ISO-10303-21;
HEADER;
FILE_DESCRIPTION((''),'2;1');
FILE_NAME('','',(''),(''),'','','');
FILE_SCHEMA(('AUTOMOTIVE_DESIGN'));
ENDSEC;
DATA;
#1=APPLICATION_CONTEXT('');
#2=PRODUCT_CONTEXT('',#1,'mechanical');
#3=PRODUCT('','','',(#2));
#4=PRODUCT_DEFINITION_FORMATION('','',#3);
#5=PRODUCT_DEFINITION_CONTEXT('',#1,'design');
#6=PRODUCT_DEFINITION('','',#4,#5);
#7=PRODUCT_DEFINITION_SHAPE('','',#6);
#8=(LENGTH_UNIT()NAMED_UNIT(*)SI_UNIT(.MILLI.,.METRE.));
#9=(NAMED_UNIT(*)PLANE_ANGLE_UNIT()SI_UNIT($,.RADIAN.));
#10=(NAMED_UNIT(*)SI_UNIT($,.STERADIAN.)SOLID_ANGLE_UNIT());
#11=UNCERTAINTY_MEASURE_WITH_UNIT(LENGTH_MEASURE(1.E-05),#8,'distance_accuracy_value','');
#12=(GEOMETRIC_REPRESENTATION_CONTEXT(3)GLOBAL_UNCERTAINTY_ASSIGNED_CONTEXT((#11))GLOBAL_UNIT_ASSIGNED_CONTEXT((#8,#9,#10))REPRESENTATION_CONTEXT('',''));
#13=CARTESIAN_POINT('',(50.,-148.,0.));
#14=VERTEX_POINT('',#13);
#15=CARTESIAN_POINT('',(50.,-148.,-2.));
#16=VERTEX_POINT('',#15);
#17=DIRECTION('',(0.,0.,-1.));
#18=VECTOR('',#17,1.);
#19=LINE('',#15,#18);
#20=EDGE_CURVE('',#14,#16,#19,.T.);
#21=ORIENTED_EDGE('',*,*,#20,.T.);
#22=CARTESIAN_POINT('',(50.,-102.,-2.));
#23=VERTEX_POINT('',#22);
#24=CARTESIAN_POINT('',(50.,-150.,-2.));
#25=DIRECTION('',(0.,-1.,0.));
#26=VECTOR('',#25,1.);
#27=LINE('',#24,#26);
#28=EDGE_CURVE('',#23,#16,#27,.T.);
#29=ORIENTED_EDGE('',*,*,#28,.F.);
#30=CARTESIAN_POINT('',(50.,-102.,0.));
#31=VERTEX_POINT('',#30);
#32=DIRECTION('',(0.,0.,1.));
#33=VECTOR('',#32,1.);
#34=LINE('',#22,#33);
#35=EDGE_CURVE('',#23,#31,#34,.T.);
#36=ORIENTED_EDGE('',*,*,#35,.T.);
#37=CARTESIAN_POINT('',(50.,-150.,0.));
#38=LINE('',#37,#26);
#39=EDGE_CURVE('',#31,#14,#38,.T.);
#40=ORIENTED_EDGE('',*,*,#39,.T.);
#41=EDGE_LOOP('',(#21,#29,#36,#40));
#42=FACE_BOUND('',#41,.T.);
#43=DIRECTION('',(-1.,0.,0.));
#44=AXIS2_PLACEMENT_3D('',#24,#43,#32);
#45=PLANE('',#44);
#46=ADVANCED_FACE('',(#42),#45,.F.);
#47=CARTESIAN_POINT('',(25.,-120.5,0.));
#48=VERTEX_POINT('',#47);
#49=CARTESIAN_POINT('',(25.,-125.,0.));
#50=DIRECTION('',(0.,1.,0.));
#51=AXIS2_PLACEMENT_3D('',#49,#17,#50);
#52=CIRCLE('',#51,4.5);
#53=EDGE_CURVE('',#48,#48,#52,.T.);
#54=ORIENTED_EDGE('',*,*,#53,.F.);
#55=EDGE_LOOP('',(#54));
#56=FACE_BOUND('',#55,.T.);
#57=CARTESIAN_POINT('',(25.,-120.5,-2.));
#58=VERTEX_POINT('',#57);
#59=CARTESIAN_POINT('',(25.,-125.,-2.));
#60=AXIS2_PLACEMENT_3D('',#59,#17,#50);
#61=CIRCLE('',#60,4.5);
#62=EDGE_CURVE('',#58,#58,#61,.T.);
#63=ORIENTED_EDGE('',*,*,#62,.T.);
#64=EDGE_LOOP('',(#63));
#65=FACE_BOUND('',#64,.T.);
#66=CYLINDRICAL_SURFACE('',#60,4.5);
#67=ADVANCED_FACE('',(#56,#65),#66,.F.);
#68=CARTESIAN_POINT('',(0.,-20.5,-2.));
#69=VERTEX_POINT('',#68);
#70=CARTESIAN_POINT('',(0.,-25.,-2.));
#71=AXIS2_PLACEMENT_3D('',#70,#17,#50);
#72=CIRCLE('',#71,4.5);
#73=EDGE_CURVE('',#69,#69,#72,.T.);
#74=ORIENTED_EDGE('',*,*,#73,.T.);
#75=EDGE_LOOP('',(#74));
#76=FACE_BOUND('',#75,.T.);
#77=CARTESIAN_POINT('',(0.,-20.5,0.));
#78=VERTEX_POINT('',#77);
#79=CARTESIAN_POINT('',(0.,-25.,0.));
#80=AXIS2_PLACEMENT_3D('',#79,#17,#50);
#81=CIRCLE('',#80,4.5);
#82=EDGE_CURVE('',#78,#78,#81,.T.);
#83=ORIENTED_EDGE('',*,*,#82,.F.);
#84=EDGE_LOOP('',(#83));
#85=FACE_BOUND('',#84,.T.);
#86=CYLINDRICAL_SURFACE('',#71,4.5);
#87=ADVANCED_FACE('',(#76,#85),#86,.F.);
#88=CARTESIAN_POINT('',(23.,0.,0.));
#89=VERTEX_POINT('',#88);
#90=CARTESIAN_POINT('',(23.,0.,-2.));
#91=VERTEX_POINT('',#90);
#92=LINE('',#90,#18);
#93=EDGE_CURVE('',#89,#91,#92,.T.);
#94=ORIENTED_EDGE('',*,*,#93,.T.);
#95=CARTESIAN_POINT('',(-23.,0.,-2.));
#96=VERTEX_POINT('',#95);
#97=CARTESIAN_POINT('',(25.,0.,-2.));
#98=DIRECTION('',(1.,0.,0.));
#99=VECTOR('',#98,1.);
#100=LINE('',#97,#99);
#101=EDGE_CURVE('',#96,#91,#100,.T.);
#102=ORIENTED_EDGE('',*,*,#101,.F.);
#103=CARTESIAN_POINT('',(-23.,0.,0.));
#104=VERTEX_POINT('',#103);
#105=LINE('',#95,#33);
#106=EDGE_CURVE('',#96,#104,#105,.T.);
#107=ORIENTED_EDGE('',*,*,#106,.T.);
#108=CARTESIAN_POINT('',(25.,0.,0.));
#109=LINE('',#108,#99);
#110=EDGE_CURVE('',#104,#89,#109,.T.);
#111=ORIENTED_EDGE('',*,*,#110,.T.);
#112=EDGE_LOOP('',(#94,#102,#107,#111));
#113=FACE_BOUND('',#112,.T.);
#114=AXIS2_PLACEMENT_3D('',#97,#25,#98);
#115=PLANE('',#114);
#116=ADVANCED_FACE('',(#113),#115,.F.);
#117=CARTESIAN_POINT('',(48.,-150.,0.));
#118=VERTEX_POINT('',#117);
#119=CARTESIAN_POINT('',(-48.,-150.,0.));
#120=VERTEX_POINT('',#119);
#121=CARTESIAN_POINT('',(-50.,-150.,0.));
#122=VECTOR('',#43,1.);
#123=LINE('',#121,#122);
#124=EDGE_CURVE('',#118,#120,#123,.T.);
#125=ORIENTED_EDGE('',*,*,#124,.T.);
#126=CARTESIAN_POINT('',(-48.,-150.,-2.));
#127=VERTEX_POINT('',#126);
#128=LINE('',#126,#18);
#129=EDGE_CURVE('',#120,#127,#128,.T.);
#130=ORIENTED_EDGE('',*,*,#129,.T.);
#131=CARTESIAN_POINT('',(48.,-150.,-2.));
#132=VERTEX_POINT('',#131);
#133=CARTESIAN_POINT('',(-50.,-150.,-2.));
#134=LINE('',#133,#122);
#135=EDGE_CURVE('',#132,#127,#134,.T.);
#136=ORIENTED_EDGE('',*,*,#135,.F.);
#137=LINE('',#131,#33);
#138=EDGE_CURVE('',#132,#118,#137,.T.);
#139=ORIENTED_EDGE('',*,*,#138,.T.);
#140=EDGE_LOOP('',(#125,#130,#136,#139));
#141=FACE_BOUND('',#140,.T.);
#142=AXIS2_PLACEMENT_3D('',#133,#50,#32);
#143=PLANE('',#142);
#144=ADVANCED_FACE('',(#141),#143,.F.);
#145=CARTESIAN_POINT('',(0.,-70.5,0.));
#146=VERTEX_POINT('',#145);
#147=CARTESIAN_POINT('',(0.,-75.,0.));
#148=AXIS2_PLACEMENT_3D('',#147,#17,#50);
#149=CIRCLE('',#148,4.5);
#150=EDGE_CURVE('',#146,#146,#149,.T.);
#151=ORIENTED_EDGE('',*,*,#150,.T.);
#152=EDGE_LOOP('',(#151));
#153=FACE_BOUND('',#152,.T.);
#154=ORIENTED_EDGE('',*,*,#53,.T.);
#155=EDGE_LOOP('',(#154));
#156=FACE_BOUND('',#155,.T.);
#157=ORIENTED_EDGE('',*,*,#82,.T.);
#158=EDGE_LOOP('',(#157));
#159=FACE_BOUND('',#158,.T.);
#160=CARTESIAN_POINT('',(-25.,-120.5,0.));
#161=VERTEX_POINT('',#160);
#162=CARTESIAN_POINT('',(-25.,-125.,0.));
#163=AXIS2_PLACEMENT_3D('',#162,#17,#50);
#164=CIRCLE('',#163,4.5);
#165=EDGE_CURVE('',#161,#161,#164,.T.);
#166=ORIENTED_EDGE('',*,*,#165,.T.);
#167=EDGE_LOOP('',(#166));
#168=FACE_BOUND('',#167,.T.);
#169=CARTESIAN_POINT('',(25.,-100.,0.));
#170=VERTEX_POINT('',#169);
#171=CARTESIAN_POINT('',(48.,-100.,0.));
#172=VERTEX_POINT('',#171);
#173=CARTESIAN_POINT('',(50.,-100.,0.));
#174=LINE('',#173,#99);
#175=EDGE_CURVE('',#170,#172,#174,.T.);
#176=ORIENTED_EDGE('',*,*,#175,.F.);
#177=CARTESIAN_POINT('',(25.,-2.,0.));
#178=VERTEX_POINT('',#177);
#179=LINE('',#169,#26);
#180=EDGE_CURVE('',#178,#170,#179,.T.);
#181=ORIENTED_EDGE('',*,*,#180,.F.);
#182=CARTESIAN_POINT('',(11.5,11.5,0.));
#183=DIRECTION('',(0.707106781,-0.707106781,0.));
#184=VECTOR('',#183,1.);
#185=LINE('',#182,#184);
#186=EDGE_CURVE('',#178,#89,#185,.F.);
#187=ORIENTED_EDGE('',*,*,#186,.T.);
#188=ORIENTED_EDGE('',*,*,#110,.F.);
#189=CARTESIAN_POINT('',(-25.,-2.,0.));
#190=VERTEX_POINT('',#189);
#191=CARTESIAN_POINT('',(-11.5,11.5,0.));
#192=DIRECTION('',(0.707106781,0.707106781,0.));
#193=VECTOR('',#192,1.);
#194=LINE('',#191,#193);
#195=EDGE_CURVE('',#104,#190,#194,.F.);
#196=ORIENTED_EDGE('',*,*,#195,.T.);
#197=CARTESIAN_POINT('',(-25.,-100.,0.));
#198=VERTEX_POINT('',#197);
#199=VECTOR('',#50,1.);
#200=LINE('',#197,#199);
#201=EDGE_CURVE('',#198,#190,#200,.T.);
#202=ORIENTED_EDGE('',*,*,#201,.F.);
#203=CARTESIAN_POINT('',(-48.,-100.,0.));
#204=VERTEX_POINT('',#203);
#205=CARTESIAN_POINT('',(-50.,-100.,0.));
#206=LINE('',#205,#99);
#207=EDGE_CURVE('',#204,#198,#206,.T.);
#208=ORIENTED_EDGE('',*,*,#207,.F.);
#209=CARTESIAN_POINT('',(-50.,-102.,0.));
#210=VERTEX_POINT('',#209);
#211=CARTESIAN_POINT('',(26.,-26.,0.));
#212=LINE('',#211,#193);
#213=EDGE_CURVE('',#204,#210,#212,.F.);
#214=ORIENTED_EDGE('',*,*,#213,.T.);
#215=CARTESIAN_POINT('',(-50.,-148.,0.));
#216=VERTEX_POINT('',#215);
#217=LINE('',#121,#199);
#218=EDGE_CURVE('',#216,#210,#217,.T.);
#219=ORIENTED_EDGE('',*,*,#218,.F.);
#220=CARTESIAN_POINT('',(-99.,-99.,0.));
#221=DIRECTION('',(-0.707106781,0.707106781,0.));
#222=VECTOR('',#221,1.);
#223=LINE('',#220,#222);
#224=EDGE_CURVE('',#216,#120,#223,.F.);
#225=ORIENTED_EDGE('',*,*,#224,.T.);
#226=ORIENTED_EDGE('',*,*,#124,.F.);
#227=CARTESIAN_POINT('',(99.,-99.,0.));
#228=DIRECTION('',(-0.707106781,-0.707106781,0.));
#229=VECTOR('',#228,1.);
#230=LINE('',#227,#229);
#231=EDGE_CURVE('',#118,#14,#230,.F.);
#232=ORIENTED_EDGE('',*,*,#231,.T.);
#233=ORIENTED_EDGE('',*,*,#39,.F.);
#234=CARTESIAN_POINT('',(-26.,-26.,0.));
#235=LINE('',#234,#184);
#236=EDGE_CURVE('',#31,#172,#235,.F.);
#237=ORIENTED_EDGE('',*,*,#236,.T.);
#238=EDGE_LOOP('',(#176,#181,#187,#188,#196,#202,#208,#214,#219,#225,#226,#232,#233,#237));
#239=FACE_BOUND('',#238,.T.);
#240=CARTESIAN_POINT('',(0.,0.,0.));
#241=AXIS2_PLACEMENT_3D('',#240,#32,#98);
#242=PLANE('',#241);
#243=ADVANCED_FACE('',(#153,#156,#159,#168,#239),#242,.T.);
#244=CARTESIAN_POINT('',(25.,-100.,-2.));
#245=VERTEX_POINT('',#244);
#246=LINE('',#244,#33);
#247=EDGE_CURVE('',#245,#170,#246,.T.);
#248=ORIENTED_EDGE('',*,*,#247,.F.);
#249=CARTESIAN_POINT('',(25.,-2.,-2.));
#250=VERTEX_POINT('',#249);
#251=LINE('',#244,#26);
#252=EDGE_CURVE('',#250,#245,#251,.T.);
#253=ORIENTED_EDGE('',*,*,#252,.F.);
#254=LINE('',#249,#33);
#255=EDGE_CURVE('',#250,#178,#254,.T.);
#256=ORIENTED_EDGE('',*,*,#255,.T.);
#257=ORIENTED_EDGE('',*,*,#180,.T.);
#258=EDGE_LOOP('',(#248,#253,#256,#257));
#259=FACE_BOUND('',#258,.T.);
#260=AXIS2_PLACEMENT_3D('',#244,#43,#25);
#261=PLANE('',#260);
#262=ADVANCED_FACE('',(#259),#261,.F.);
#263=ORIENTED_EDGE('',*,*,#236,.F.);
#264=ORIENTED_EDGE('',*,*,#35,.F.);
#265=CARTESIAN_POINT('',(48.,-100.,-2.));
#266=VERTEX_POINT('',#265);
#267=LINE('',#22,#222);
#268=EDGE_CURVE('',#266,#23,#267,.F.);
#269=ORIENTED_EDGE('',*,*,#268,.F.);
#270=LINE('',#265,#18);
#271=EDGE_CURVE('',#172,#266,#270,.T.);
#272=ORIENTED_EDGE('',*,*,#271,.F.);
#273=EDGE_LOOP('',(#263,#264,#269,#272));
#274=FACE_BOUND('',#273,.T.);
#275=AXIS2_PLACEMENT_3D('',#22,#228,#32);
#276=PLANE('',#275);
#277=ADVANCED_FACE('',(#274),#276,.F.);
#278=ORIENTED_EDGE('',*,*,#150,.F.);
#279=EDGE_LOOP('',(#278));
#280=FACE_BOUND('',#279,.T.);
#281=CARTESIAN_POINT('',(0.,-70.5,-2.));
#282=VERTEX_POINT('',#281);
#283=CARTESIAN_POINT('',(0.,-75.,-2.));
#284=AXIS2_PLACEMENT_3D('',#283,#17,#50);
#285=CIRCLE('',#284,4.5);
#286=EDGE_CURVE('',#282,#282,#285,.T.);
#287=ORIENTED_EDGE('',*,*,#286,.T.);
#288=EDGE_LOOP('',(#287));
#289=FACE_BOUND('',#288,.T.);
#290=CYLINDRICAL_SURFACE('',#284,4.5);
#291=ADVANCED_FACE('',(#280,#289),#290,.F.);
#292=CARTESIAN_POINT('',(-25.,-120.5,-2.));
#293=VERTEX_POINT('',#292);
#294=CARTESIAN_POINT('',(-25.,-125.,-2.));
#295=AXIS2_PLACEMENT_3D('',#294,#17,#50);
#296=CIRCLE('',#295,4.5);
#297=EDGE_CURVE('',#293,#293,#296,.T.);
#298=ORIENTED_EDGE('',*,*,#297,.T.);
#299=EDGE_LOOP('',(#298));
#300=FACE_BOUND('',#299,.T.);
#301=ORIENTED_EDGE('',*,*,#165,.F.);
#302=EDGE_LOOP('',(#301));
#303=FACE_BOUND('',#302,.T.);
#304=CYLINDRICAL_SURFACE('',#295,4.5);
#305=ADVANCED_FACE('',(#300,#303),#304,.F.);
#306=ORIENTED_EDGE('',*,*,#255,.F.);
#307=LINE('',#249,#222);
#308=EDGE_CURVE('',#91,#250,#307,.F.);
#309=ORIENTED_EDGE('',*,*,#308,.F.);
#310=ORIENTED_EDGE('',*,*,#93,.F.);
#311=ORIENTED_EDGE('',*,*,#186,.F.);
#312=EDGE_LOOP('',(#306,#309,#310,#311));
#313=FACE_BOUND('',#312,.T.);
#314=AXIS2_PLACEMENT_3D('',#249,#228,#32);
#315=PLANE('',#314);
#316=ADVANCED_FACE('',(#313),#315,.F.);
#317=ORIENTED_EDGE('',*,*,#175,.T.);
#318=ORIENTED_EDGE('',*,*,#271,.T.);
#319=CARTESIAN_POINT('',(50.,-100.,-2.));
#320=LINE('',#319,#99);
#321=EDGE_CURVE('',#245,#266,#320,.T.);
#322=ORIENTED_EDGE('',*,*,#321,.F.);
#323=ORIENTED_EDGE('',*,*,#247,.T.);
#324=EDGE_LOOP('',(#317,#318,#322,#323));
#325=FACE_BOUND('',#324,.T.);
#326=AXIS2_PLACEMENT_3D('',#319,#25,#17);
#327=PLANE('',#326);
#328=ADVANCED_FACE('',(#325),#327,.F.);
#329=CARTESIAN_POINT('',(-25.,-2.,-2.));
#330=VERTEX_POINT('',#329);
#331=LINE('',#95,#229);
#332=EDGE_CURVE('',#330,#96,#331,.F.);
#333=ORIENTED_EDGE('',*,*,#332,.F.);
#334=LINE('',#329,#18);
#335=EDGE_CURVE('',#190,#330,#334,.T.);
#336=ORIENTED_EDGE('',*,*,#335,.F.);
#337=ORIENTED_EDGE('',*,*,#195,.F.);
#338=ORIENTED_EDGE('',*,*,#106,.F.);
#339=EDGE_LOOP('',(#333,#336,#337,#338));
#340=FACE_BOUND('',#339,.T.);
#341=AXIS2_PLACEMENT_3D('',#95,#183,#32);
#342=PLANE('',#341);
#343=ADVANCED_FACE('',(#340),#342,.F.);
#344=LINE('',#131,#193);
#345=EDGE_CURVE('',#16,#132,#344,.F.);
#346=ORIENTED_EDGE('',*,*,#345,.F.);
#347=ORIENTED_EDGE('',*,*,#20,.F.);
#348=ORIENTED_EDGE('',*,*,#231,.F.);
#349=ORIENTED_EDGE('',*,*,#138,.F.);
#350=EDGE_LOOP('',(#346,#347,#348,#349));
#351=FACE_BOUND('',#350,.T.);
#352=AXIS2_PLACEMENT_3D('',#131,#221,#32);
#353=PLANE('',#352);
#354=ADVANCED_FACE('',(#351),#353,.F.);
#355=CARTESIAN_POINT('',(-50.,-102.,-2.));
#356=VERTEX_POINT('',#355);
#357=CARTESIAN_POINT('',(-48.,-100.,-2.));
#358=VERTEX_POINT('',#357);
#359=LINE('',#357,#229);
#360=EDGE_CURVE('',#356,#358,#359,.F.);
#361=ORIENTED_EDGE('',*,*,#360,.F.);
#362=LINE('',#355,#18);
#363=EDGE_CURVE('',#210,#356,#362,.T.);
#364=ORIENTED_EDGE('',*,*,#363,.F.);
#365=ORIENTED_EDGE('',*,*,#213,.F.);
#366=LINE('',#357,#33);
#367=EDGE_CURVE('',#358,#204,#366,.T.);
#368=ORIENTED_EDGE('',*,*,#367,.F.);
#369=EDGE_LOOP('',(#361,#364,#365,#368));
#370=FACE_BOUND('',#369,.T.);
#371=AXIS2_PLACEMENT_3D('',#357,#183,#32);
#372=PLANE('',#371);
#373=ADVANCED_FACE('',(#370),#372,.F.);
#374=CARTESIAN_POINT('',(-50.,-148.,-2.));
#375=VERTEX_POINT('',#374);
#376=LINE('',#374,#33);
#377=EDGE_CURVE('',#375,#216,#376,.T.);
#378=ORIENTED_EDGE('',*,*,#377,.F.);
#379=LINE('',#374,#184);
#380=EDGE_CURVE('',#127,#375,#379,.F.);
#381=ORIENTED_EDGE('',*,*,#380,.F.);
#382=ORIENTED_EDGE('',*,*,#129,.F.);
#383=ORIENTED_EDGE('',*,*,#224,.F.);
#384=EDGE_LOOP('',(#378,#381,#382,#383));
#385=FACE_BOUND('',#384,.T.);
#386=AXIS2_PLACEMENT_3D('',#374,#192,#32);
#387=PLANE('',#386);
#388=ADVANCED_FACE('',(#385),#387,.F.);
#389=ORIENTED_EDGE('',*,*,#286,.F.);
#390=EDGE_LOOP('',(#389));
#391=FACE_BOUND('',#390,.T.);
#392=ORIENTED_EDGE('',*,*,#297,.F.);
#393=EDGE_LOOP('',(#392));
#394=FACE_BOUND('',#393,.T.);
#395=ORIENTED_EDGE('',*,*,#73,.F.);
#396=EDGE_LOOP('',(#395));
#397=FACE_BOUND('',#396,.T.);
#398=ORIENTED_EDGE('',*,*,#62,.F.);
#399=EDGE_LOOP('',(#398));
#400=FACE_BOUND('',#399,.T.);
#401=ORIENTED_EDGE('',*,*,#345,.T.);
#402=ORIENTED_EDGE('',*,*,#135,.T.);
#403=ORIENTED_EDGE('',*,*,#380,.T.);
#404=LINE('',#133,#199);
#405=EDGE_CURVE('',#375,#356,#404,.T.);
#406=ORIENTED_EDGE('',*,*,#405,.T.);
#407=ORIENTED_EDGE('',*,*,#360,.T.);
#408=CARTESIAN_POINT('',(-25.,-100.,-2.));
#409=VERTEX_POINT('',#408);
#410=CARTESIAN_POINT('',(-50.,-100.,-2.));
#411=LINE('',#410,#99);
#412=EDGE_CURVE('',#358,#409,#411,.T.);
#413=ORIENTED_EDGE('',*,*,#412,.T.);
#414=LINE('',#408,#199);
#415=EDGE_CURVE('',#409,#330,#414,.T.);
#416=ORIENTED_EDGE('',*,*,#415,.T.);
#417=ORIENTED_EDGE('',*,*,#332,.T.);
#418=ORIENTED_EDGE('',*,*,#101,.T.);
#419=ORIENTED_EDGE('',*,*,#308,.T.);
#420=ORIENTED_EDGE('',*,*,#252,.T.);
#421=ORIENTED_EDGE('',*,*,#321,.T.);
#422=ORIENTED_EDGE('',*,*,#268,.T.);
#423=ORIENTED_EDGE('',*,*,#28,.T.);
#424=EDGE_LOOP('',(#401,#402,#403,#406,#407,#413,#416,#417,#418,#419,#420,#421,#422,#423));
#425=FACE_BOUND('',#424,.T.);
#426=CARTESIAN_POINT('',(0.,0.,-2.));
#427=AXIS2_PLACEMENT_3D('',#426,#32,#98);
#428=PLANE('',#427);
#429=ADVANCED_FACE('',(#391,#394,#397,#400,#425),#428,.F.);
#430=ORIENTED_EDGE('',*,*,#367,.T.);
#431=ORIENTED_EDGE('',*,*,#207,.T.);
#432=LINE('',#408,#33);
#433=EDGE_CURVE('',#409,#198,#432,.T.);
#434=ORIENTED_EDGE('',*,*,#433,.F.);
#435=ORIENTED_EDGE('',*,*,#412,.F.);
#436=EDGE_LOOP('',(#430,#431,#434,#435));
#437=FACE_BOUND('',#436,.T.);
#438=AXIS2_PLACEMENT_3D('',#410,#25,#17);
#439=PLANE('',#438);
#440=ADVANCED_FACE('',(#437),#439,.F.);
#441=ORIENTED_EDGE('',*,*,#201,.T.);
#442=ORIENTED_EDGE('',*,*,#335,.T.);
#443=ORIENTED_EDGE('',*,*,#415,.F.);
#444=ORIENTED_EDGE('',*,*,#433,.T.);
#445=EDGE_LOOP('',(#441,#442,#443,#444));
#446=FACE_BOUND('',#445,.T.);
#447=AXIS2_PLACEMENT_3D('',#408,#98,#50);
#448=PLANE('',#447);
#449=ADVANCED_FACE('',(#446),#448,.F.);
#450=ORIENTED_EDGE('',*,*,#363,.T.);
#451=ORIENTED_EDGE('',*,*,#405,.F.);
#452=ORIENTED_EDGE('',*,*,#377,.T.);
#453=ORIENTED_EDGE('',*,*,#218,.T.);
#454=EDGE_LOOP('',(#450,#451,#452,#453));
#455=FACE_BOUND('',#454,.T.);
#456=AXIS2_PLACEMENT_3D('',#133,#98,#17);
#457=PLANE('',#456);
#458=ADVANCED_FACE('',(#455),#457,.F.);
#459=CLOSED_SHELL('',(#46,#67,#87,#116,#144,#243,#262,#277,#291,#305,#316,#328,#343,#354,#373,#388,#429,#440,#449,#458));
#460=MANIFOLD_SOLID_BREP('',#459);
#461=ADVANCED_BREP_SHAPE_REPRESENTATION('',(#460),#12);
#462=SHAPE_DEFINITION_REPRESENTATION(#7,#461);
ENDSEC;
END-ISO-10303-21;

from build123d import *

# Parameters (mm, degrees)
EXTRUDE_1_DEPTH   = 2
HOLE_WIZARD_M81_D = 9
CHAMFER_1_SIZE    = 2


with BuildPart() as part:
    # Эскиз1 → Бобышка-Вытянуть1 (new body)
    with BuildSketch(Plane(origin=(0, 0, 0), x_dir=(1, 0, 0), z_dir=(0, 0, -1))):
        Polygon((-50, 150), (50, 150), (50, 100), (25, 100), (25, 0), (-25, 0), (-25, 100), (-50, 100), align=None)
    extrude(amount=EXTRUDE_1_DEPTH)

    # Отверстие с зазором M81 (through all)
    with Locations(Plane(origin=(0, 0, -2), x_dir=(1, 0, 0), z_dir=(0, 0, -1))):
        with Locations((0, 25), (-25, 125), (25, 125), (0, 75)):
            Hole(HOLE_WIZARD_M81_D / 2)

    # Фаска1
    chamfer_1_edges = [part.edges().sort_by_distance(p)[0] for p in [
        (-50, -100, -1),
        (-50, -150, -1),
        (50, -150, -1),
        (50, -100, -1),
        (25, 0, -1),
        (-25, 0, -1),
    ]]
    chamfer(chamfer_1_edges, length=CHAMFER_1_SIZE)


solid = part.part
